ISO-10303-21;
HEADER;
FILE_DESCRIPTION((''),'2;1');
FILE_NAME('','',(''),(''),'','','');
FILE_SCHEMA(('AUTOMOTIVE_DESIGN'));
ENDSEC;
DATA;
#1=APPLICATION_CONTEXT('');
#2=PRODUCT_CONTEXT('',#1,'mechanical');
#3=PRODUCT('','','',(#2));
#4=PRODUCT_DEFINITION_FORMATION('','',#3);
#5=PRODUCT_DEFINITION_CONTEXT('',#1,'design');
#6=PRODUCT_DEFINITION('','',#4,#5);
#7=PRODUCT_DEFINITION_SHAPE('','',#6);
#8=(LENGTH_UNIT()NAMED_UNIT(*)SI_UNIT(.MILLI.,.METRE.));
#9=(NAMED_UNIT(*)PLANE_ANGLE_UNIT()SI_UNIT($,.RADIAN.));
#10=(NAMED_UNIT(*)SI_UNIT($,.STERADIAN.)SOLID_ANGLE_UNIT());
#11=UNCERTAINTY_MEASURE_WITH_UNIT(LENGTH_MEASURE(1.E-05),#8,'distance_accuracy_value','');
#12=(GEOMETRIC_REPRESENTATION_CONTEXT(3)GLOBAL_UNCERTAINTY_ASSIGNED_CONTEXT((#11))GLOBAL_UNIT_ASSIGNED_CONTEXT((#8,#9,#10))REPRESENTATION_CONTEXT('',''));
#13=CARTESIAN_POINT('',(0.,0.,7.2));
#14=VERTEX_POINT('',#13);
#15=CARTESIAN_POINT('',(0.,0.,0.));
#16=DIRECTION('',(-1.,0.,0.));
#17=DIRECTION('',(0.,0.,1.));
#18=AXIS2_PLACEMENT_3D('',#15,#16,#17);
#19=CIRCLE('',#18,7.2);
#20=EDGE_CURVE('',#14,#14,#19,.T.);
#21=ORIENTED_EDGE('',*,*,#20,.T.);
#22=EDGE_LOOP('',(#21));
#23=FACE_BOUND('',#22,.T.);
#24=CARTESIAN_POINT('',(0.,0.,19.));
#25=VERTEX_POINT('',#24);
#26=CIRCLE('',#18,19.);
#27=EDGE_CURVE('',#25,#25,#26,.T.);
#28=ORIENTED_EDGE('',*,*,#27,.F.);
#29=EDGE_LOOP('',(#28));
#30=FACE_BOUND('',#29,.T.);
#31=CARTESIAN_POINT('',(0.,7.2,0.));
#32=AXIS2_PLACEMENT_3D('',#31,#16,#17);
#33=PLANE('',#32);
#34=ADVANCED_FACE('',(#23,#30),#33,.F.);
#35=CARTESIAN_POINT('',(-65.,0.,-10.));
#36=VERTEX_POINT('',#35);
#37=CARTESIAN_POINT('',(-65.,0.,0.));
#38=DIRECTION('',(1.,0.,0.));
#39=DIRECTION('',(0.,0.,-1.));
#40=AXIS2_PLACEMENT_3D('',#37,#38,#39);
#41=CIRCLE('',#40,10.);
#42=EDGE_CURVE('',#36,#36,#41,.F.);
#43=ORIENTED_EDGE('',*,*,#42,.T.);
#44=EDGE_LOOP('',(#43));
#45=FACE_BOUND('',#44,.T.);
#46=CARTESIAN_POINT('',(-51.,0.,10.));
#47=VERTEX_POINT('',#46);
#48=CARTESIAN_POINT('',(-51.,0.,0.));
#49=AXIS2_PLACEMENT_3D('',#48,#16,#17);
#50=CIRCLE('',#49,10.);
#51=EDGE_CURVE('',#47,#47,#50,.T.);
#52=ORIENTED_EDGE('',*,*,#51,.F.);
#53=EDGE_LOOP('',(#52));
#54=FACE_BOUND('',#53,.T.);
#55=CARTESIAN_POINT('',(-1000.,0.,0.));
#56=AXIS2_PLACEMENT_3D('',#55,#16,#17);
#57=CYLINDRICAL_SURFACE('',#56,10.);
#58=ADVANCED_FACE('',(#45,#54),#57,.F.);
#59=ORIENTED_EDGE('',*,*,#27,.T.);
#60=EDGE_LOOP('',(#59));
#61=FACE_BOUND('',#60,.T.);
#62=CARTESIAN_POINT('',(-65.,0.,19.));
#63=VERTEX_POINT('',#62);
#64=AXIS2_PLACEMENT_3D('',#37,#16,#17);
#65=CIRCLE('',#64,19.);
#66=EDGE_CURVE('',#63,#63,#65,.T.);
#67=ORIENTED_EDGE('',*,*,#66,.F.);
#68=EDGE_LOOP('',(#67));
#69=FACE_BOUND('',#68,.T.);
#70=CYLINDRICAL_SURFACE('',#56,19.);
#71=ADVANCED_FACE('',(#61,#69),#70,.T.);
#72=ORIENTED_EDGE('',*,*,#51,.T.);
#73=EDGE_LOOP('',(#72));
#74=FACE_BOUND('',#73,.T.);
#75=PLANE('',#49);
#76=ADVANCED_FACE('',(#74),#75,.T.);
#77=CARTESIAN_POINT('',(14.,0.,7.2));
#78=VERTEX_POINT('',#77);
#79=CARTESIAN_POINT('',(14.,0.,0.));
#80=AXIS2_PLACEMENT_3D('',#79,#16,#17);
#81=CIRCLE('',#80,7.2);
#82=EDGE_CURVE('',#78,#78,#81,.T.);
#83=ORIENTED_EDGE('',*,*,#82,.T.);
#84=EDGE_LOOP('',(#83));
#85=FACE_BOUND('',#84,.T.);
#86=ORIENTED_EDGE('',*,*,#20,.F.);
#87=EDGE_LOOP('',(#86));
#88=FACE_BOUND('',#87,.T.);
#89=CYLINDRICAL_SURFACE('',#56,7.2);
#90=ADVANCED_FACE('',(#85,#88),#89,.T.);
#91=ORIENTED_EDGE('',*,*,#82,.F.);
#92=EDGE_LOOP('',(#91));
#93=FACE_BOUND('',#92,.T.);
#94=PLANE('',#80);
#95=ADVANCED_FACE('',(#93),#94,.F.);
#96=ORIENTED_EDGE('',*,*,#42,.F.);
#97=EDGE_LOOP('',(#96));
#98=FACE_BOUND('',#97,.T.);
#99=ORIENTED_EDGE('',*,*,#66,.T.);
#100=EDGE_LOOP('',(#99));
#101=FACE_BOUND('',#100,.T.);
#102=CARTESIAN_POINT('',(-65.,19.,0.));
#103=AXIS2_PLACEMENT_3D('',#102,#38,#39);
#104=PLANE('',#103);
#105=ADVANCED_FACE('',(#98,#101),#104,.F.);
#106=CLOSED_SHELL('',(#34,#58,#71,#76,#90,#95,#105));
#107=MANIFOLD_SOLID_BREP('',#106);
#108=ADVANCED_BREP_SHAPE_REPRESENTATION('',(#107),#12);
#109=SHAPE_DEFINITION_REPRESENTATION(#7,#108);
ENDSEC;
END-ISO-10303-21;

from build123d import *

# Parameters (mm, degrees)
OUTLET_SOCKET_SKETCH_W = 15
OUTLET_SOCKET_SKETCH_H = 10


with BuildPart() as part:
    # Regulator_Ninja Sketch → Regulator_Ninja (revolve)
    with BuildSketch(Plane.XY):
        Polygon((14, 0), (14, 7.2), (0, 7.2), (0, 19), (-65, 19), (-65, 0), align=None)
    revolve(axis=Axis((-1000, 0, 0), (1, 0, 0)))

    # Outlet Socket Sketch → Outlet Socket (revolve, cut)
    with BuildSketch(Plane.XY):
        with Locations((-58.5, 5)):
            Rectangle(OUTLET_SOCKET_SKETCH_W, OUTLET_SOCKET_SKETCH_H)
    revolve(axis=Axis((-1000, 0, 0), (1, 0, 0)), mode=Mode.SUBTRACT)


solid = part.part
